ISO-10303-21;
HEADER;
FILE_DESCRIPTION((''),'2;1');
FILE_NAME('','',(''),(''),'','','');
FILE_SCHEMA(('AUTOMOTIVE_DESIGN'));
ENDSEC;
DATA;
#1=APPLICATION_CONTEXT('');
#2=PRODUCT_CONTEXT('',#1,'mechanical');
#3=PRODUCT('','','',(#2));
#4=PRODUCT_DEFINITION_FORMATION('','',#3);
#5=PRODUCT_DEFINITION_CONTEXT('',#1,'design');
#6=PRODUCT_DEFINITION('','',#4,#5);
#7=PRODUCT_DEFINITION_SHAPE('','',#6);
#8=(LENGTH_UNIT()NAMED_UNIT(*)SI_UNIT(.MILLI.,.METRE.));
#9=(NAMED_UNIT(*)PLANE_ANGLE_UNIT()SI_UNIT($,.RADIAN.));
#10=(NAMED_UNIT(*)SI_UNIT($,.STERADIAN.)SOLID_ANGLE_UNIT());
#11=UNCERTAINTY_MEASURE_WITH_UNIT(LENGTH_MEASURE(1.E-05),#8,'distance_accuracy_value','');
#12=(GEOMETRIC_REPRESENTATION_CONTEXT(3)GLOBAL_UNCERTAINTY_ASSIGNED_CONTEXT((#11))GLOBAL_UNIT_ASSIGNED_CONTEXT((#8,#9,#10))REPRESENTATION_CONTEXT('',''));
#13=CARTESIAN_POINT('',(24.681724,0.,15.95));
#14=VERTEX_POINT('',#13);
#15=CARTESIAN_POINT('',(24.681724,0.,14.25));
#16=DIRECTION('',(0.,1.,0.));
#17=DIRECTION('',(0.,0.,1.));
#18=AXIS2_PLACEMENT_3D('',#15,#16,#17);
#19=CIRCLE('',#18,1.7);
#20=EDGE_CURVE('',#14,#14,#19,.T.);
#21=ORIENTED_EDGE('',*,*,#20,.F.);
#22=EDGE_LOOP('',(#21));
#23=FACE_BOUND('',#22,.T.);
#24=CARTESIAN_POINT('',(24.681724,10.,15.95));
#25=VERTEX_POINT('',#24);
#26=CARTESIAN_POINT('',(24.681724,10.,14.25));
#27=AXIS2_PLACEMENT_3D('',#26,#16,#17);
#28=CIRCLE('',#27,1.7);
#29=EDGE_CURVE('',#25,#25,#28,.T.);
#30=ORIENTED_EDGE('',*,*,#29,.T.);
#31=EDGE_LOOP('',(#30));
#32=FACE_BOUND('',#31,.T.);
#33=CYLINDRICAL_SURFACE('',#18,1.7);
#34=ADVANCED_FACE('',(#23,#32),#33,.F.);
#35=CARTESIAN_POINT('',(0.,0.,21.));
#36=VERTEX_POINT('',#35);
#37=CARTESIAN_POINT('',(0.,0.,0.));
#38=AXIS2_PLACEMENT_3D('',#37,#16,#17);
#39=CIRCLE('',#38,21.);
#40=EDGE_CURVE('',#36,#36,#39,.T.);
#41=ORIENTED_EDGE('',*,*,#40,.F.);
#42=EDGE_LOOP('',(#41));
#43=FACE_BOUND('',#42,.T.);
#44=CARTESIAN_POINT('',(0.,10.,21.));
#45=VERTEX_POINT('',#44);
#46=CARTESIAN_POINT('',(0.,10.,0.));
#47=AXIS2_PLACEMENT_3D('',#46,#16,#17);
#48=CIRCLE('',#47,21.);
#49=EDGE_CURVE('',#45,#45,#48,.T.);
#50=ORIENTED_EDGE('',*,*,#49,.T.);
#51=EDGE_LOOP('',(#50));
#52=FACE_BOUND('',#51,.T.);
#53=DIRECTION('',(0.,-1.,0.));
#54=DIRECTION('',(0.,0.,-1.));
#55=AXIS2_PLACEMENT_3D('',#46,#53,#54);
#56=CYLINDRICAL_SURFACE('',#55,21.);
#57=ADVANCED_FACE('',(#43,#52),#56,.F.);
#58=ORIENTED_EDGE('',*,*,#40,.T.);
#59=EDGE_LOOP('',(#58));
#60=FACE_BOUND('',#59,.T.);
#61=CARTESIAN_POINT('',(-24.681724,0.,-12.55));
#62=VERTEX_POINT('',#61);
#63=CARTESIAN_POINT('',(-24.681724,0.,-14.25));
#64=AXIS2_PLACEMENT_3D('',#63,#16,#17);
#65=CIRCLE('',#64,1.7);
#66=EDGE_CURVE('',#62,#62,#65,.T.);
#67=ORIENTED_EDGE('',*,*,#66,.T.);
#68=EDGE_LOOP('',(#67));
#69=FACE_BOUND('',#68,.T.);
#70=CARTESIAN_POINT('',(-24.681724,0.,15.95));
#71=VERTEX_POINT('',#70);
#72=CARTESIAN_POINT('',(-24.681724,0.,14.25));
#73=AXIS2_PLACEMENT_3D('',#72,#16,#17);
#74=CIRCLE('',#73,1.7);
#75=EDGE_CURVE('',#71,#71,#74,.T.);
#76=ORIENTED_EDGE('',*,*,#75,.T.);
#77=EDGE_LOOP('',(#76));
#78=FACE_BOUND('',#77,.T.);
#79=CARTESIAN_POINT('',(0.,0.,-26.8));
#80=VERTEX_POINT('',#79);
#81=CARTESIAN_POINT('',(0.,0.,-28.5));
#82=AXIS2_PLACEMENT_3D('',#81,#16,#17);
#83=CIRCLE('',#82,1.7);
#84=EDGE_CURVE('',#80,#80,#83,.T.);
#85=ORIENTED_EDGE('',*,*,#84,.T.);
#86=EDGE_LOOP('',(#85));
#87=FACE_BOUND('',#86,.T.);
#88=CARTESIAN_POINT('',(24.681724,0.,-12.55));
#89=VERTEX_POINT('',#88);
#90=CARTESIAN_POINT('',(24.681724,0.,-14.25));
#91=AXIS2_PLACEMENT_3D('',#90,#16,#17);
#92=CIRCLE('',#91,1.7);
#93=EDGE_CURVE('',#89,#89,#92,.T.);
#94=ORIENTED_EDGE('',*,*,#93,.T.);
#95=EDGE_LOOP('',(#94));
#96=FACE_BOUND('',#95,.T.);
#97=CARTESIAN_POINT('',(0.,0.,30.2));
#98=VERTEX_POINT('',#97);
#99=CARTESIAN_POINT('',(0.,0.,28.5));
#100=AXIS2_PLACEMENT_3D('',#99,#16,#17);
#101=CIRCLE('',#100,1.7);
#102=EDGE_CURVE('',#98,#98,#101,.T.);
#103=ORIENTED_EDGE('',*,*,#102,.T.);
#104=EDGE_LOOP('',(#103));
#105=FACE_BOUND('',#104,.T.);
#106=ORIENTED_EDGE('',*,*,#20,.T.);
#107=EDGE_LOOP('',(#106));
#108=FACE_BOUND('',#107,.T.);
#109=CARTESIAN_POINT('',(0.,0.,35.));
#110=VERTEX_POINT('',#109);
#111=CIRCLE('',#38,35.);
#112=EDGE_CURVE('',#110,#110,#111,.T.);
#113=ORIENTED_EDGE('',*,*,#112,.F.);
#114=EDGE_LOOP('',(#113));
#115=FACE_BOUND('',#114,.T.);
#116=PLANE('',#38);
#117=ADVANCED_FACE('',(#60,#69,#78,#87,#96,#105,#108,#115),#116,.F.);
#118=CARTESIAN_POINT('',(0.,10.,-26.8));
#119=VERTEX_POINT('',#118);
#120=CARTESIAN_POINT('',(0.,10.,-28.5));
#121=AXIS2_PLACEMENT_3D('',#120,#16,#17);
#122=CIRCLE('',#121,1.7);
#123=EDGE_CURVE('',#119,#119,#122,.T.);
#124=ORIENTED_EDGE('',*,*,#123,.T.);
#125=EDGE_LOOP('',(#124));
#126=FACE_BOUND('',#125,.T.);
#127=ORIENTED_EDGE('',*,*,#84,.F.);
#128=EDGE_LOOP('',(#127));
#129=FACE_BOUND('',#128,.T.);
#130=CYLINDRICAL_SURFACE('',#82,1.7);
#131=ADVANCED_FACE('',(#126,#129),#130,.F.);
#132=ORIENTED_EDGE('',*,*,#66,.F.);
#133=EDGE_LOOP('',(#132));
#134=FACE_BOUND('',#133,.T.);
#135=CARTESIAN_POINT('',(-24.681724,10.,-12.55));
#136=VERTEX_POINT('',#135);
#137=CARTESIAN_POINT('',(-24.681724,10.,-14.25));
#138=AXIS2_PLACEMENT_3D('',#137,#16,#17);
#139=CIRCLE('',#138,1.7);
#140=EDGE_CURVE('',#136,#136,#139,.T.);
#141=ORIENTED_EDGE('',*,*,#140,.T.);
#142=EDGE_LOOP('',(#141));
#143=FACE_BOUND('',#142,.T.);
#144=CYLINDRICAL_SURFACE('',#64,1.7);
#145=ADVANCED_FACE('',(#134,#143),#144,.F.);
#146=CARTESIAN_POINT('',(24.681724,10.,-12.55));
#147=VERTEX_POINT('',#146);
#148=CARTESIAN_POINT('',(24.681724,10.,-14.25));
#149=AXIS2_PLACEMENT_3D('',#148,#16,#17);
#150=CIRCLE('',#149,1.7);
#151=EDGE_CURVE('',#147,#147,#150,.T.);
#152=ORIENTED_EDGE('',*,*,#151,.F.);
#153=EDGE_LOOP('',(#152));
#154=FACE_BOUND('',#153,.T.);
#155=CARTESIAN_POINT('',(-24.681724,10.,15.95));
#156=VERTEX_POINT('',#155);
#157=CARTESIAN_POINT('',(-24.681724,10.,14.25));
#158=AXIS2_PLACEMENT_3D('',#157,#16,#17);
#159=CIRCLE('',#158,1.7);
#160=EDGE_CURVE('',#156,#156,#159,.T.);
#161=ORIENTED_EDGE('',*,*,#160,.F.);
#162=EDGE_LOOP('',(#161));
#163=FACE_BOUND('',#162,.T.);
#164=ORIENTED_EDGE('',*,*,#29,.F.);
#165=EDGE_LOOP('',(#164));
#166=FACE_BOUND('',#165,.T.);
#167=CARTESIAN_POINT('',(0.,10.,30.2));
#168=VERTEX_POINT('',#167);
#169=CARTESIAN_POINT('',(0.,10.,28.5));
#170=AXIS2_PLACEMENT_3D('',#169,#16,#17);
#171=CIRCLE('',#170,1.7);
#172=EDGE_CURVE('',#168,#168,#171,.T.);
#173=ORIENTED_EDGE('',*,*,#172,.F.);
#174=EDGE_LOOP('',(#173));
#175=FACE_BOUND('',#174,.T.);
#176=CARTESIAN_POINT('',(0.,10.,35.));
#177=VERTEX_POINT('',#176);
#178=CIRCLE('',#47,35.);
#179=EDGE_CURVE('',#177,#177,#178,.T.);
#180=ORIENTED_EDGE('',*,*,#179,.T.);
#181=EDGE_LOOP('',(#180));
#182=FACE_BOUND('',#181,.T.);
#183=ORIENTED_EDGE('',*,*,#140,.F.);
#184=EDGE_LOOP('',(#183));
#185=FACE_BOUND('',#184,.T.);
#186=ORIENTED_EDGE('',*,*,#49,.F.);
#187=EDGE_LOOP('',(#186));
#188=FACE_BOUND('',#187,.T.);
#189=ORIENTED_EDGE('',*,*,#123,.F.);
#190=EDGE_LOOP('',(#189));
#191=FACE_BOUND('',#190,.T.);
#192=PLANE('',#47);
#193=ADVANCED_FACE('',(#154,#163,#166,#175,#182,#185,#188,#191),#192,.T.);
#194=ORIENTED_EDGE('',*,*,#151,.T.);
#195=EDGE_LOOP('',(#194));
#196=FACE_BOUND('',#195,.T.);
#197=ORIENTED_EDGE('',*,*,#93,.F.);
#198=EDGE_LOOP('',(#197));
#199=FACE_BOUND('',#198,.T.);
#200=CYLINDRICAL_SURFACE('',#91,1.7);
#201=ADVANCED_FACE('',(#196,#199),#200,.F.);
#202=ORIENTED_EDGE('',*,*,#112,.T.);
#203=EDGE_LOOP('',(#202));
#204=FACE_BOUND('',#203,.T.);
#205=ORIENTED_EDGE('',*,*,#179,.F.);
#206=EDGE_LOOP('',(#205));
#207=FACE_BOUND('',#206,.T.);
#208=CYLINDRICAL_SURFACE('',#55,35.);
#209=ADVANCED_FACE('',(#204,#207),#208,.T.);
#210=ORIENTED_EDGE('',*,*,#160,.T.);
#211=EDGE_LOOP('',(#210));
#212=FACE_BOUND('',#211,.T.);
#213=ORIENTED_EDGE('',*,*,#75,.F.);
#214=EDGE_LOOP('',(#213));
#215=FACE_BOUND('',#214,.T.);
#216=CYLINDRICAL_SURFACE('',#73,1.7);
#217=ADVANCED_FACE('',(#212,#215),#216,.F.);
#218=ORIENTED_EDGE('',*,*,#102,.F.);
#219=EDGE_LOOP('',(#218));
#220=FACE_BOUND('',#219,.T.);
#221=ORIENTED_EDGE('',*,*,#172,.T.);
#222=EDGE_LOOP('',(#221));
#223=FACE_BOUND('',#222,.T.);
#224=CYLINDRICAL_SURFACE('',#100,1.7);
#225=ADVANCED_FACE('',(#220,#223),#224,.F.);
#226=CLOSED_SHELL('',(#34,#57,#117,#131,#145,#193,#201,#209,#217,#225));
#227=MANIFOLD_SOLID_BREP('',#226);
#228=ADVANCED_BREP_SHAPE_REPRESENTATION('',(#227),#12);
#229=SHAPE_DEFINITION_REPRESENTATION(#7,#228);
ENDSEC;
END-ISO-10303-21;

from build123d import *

# Parameters (mm, degrees)
SKETCH_1_R          = 35
SKETCH_1_R_2        = 21
EXTRUDE_1_DEPTH     = 10
SKETCH_2_R          = 1.7
CUT_EXTRUDE_1_DEPTH = 10


with BuildPart() as part:
    # 草图1 → 凸台-拉伸1 (new body)
    with BuildSketch(Plane(origin=(0, 0, 0), x_dir=(1, 0, 0), z_dir=(0, 1, 0))):
        with Locations(Location((0, 0, 0), (0, 0, 270))):
            Circle(SKETCH_1_R)
        with Locations(Location((0, 0, 0), (0, 0, 270))):
            Circle(SKETCH_1_R_2, mode=Mode.SUBTRACT)
    extrude(amount=EXTRUDE_1_DEPTH)

    # 草图2 → 切除-拉伸1 (cut)
    with BuildSketch(Plane(origin=(0, 10, 0), x_dir=(1, 0, 0), z_dir=(0, 1, 0))):
        with Locations(Location((0, 28.5, 0), (0, 0, 270))):
            Circle(SKETCH_2_R)
        with Locations(Location((24.681724008, 14.25, 0), (0, 0, 270))):
            Circle(SKETCH_2_R)
        with Locations(Location((24.681724008, -14.25, 0), (0, 0, 270))):
            Circle(SKETCH_2_R)
        with Locations(Location((0, -28.5, 0), (0, 0, 270))):
            Circle(SKETCH_2_R)
        with Locations(Location((-24.681724008, -14.25, 0), (0, 0, 270))):
            Circle(SKETCH_2_R)
        with Locations(Location((-24.681724008, 14.25, 0), (0, 0, 270))):
            Circle(SKETCH_2_R)
    extrude(amount=-CUT_EXTRUDE_1_DEPTH, mode=Mode.SUBTRACT)


solid = part.part
